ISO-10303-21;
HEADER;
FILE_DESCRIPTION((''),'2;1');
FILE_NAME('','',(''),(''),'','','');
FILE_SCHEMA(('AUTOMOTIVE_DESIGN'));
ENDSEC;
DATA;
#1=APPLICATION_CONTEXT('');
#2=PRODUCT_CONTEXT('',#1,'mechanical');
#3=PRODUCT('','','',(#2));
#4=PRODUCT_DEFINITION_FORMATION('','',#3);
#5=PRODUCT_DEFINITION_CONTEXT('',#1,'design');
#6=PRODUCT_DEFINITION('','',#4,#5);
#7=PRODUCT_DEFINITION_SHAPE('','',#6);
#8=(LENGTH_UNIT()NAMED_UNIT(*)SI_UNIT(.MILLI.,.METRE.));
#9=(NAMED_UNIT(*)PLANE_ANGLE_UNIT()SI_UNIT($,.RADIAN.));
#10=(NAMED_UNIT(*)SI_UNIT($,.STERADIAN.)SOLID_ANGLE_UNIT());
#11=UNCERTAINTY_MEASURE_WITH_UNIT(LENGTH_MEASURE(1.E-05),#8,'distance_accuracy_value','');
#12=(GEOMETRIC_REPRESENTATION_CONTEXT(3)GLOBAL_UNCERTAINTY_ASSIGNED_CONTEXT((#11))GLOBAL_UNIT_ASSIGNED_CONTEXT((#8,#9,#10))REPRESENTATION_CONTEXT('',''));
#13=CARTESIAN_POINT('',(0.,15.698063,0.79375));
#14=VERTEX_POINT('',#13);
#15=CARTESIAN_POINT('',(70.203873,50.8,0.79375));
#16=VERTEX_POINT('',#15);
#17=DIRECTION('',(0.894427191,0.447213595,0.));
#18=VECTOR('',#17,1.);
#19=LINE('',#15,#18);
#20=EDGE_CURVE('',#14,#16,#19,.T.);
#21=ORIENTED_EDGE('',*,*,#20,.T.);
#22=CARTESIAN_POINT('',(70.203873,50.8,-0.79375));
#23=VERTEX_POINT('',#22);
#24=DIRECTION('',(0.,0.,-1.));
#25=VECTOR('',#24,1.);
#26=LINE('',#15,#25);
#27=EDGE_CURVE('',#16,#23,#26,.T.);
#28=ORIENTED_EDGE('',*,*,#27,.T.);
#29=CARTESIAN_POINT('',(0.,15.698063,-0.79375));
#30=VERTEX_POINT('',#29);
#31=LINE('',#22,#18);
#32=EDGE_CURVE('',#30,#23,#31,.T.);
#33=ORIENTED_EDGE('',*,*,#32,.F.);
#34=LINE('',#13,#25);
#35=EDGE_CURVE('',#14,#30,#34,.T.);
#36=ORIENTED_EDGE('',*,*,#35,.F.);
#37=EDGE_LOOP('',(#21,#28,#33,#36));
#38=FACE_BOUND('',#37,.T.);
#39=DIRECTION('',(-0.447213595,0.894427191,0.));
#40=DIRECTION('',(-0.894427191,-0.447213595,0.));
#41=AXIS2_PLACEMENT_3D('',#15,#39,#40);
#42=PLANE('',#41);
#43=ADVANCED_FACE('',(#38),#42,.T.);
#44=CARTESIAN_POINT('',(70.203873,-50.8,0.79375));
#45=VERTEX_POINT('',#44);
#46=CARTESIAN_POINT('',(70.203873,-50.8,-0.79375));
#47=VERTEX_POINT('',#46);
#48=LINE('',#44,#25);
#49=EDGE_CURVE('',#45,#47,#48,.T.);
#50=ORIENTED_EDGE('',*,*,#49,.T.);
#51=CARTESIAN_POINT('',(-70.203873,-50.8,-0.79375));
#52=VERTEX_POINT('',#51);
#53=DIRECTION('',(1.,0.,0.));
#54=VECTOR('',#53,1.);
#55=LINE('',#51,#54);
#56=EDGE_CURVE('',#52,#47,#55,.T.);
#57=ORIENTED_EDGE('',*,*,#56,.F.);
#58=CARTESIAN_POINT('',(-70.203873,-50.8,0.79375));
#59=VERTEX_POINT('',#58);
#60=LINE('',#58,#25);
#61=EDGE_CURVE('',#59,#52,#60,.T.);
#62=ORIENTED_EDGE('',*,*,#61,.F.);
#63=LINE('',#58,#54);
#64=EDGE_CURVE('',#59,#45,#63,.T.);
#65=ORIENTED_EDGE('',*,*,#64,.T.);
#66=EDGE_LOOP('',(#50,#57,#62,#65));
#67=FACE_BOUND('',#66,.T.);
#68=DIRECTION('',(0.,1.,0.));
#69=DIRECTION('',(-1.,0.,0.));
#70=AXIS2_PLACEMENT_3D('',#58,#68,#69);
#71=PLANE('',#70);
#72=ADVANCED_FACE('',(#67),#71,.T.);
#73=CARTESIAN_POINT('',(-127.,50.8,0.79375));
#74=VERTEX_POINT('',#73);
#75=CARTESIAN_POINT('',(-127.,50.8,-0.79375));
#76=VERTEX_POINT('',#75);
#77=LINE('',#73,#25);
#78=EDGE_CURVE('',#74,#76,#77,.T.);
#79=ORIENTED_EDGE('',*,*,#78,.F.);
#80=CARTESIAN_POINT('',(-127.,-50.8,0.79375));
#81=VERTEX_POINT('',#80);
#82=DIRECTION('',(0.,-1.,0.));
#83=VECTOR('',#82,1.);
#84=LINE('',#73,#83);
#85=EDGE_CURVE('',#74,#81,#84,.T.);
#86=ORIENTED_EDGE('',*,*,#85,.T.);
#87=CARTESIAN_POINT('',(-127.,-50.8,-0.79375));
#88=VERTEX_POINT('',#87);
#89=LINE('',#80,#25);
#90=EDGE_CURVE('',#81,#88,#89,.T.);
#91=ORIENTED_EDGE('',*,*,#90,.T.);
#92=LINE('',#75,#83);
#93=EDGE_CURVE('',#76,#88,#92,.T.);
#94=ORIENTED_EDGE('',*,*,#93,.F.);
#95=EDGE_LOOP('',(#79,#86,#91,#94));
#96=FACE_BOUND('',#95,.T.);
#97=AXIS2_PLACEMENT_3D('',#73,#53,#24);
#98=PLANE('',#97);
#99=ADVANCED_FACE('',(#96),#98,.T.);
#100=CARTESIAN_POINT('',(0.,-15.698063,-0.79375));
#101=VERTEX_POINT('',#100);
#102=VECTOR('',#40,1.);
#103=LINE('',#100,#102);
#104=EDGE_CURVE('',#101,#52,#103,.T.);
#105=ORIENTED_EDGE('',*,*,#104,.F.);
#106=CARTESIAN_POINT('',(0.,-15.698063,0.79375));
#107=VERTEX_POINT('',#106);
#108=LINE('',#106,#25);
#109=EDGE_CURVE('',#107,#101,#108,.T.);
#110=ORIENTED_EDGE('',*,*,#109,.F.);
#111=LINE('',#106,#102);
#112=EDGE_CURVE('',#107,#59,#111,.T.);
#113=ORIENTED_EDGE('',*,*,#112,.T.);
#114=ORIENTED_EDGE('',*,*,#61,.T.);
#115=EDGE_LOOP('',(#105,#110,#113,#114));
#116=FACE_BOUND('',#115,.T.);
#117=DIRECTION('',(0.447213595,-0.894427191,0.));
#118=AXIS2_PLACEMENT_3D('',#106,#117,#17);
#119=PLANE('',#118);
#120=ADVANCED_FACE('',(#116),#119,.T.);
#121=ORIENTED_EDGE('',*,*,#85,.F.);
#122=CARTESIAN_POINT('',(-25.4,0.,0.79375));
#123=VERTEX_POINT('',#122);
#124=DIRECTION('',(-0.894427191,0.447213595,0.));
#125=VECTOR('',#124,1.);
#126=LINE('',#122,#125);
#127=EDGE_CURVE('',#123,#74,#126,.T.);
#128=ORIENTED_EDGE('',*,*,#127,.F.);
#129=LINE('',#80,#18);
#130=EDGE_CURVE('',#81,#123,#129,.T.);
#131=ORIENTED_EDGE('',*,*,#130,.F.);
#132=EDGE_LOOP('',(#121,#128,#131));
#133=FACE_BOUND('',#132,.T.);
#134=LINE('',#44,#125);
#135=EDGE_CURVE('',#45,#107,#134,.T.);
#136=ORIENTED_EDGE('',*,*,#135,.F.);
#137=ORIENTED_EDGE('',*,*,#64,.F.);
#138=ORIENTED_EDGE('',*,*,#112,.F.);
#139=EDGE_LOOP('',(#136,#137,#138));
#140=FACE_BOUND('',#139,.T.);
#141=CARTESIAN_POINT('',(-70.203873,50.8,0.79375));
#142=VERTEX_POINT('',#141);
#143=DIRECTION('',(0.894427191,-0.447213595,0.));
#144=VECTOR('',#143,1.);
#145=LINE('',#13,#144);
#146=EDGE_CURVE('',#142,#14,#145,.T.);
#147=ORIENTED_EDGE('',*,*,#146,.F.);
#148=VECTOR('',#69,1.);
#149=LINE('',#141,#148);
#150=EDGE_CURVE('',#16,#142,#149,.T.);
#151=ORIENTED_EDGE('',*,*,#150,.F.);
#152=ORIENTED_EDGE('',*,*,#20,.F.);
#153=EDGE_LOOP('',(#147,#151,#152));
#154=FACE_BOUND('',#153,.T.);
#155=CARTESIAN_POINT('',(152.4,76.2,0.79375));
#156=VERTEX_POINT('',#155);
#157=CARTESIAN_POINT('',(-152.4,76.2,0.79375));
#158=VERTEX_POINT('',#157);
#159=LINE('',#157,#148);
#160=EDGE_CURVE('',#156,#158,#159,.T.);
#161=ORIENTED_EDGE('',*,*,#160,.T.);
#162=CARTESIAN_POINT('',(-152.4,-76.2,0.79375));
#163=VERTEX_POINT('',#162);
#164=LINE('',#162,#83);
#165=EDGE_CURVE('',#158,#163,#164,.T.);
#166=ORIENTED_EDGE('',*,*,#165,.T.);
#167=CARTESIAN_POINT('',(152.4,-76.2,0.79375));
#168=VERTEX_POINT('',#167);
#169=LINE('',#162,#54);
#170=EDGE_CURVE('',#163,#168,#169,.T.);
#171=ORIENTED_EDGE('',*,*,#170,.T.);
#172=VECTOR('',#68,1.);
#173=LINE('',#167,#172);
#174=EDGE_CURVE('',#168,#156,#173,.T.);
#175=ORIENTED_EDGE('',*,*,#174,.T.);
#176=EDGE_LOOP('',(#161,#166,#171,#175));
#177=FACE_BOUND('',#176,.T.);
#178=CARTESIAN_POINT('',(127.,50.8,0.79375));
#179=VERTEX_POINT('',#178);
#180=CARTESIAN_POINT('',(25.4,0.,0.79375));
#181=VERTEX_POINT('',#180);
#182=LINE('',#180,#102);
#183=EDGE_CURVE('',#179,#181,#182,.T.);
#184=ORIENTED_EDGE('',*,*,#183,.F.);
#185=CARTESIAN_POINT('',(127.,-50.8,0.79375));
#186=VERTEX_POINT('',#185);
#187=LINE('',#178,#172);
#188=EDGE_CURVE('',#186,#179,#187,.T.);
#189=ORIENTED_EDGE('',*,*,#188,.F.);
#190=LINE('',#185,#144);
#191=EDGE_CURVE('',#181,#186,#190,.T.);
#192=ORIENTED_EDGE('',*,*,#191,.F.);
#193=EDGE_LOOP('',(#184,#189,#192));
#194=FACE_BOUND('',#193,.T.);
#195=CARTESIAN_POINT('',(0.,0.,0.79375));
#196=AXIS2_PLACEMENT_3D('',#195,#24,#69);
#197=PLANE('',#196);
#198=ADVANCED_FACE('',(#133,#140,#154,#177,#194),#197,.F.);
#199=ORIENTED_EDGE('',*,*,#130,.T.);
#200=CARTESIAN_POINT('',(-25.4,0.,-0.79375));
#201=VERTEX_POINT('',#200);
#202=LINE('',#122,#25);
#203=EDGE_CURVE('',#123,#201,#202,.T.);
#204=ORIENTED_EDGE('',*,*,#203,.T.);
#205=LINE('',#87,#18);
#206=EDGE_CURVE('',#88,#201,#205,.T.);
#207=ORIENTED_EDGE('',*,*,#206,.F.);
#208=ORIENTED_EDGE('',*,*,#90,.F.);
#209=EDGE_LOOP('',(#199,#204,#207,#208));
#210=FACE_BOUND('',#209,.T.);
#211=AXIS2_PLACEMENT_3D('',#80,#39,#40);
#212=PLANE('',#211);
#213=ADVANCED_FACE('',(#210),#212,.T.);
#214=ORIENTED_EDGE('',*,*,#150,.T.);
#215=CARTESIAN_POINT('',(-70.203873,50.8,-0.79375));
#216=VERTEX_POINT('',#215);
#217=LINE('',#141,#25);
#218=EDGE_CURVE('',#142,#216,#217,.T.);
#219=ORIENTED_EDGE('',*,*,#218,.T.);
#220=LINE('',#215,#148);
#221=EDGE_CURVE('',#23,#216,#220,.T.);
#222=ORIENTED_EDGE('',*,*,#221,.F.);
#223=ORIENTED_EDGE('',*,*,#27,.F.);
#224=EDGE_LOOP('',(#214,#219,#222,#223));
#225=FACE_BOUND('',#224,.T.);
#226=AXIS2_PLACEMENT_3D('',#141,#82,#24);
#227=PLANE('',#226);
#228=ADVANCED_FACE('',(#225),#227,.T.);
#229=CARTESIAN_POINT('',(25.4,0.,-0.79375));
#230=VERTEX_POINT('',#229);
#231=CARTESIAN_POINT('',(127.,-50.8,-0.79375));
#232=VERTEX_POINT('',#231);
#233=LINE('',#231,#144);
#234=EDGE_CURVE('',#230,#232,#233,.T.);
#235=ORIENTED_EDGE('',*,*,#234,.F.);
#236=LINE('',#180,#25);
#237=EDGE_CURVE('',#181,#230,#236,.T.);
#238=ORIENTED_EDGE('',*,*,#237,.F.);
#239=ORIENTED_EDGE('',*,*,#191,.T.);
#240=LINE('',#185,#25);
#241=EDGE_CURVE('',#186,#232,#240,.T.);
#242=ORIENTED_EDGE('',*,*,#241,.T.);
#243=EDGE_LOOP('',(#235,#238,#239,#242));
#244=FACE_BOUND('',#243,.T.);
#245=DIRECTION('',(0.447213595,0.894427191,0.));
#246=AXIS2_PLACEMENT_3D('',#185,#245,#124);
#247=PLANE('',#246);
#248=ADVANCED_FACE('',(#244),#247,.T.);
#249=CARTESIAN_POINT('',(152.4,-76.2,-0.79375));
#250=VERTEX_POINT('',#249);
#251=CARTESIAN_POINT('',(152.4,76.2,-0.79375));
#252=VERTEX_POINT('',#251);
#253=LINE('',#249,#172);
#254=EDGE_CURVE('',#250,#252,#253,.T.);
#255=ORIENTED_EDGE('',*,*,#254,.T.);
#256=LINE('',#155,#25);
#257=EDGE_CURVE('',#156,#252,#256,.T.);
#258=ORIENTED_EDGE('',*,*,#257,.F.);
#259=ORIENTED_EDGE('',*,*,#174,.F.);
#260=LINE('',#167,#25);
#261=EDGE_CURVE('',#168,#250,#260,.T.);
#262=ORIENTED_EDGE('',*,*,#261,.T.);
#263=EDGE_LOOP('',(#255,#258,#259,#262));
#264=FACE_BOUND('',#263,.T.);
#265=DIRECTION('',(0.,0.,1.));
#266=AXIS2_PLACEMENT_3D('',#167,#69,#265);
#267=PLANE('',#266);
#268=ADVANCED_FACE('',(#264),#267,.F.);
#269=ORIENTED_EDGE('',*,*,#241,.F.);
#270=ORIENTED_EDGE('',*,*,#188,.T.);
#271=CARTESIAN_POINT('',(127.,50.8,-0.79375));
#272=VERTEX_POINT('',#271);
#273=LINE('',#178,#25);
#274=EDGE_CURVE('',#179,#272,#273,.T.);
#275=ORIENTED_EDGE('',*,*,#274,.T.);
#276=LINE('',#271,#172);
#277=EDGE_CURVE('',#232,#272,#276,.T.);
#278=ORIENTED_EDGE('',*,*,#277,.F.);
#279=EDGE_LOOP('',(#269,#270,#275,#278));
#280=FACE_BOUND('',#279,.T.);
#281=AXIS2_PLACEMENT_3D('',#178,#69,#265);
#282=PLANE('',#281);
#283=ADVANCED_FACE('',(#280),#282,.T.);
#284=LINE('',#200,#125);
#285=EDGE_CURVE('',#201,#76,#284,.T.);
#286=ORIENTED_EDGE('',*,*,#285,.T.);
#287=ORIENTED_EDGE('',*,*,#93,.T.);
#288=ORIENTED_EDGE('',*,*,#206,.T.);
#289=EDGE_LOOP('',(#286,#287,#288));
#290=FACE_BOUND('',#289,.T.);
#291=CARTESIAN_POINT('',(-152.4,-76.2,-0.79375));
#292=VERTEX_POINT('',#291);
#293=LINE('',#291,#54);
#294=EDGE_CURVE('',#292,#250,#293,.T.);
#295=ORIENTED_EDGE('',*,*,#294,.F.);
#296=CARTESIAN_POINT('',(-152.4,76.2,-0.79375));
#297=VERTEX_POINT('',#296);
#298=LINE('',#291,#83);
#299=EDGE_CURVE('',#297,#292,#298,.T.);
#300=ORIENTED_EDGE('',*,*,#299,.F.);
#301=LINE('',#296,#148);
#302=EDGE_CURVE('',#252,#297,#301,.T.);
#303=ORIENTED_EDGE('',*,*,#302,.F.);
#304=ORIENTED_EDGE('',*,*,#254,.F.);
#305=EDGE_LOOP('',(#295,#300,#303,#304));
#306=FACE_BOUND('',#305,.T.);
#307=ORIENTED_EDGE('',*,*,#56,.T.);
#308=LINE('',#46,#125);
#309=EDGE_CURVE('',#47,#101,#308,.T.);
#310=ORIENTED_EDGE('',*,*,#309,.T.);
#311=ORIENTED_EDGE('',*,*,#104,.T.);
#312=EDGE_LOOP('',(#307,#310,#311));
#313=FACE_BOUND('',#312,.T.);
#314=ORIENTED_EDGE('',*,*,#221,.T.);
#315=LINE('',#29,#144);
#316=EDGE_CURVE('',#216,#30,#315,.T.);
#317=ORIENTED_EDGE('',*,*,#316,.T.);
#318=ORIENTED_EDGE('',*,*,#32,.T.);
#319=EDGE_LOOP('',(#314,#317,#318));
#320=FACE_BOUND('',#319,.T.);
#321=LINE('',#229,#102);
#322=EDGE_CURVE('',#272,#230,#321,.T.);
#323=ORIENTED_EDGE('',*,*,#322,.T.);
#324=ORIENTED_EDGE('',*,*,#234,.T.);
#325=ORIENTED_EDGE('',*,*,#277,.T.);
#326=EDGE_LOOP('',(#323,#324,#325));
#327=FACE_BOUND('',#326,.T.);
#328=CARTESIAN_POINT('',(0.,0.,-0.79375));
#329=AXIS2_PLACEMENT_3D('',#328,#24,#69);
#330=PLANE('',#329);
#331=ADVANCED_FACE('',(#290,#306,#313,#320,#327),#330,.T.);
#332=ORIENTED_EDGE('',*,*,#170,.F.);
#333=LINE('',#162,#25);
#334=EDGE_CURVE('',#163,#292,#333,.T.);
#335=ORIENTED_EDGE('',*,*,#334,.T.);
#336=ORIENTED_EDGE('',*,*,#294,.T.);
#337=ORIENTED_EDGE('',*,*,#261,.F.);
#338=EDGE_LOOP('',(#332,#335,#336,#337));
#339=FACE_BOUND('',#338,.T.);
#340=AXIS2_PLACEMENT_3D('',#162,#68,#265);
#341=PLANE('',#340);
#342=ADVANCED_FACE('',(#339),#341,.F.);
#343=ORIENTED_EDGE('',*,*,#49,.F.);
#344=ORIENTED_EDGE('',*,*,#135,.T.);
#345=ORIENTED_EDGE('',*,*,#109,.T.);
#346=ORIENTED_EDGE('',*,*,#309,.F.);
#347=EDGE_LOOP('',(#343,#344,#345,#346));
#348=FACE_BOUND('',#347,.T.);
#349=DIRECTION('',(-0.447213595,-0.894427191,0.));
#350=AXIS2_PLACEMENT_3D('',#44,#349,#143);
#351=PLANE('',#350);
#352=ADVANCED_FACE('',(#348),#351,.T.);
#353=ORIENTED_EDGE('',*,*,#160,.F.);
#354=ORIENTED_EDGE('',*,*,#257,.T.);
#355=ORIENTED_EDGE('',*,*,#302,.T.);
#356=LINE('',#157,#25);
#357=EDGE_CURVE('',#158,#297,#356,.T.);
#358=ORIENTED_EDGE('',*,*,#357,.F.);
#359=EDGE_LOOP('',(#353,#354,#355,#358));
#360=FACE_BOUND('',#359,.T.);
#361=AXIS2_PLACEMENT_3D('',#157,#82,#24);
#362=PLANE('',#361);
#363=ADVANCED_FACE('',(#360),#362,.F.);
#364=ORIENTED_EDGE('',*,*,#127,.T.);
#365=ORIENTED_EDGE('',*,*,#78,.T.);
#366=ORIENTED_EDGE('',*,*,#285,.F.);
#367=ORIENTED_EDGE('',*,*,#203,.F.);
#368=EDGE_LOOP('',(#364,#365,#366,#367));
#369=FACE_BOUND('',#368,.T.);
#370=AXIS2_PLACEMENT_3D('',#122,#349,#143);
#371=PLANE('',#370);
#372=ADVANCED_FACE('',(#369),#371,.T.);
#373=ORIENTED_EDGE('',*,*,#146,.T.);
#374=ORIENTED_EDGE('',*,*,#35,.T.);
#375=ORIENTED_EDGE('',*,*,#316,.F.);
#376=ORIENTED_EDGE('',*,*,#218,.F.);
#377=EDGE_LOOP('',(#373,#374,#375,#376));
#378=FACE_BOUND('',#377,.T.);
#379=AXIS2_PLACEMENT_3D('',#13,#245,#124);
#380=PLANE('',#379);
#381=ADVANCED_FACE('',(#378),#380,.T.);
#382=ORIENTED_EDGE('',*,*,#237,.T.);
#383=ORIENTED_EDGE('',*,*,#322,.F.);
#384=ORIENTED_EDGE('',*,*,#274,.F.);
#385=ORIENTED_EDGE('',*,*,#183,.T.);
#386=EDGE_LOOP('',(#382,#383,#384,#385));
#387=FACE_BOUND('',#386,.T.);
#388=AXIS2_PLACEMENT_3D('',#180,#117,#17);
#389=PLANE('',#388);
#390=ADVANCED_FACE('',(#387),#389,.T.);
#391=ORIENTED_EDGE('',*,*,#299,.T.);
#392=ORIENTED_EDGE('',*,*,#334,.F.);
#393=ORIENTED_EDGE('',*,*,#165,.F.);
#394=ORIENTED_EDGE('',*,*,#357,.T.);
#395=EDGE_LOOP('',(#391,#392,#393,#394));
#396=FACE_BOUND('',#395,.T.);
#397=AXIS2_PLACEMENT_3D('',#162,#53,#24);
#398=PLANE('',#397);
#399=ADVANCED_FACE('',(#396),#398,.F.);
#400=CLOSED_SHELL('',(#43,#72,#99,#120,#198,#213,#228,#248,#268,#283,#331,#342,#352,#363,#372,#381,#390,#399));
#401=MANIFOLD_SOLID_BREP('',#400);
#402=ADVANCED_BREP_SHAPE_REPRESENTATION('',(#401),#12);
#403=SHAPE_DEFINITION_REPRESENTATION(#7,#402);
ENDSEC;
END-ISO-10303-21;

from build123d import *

# Parameters (mm, degrees)
SKETCH1_W           = 304.8
SKETCH1_H           = 152.4
BOSS_EXTRUDE1_DEPTH = 0.79375


with BuildPart() as part:
    # Sketch1 → Boss-Extrude1 (new body, symmetric)
    with BuildSketch(Plane.XY):
        Rectangle(SKETCH1_W, SKETCH1_H)
        Polygon((-127, 50.8), (-127, -50.8), (-25.4, 0), align=None, mode=Mode.SUBTRACT)
        Polygon((-70.203873372, 50.8), (70.203873372, 50.8), (0, 15.698063314), align=None, mode=Mode.SUBTRACT)
        Polygon((0, -15.698063314), (-70.203873372, -50.8), (70.203873372, -50.8), align=None, mode=Mode.SUBTRACT)
        Polygon((25.4, 0), (127, 50.8), (127, -50.8), align=None, mode=Mode.SUBTRACT)
    extrude(amount=BOSS_EXTRUDE1_DEPTH, both=True)


solid = part.part
